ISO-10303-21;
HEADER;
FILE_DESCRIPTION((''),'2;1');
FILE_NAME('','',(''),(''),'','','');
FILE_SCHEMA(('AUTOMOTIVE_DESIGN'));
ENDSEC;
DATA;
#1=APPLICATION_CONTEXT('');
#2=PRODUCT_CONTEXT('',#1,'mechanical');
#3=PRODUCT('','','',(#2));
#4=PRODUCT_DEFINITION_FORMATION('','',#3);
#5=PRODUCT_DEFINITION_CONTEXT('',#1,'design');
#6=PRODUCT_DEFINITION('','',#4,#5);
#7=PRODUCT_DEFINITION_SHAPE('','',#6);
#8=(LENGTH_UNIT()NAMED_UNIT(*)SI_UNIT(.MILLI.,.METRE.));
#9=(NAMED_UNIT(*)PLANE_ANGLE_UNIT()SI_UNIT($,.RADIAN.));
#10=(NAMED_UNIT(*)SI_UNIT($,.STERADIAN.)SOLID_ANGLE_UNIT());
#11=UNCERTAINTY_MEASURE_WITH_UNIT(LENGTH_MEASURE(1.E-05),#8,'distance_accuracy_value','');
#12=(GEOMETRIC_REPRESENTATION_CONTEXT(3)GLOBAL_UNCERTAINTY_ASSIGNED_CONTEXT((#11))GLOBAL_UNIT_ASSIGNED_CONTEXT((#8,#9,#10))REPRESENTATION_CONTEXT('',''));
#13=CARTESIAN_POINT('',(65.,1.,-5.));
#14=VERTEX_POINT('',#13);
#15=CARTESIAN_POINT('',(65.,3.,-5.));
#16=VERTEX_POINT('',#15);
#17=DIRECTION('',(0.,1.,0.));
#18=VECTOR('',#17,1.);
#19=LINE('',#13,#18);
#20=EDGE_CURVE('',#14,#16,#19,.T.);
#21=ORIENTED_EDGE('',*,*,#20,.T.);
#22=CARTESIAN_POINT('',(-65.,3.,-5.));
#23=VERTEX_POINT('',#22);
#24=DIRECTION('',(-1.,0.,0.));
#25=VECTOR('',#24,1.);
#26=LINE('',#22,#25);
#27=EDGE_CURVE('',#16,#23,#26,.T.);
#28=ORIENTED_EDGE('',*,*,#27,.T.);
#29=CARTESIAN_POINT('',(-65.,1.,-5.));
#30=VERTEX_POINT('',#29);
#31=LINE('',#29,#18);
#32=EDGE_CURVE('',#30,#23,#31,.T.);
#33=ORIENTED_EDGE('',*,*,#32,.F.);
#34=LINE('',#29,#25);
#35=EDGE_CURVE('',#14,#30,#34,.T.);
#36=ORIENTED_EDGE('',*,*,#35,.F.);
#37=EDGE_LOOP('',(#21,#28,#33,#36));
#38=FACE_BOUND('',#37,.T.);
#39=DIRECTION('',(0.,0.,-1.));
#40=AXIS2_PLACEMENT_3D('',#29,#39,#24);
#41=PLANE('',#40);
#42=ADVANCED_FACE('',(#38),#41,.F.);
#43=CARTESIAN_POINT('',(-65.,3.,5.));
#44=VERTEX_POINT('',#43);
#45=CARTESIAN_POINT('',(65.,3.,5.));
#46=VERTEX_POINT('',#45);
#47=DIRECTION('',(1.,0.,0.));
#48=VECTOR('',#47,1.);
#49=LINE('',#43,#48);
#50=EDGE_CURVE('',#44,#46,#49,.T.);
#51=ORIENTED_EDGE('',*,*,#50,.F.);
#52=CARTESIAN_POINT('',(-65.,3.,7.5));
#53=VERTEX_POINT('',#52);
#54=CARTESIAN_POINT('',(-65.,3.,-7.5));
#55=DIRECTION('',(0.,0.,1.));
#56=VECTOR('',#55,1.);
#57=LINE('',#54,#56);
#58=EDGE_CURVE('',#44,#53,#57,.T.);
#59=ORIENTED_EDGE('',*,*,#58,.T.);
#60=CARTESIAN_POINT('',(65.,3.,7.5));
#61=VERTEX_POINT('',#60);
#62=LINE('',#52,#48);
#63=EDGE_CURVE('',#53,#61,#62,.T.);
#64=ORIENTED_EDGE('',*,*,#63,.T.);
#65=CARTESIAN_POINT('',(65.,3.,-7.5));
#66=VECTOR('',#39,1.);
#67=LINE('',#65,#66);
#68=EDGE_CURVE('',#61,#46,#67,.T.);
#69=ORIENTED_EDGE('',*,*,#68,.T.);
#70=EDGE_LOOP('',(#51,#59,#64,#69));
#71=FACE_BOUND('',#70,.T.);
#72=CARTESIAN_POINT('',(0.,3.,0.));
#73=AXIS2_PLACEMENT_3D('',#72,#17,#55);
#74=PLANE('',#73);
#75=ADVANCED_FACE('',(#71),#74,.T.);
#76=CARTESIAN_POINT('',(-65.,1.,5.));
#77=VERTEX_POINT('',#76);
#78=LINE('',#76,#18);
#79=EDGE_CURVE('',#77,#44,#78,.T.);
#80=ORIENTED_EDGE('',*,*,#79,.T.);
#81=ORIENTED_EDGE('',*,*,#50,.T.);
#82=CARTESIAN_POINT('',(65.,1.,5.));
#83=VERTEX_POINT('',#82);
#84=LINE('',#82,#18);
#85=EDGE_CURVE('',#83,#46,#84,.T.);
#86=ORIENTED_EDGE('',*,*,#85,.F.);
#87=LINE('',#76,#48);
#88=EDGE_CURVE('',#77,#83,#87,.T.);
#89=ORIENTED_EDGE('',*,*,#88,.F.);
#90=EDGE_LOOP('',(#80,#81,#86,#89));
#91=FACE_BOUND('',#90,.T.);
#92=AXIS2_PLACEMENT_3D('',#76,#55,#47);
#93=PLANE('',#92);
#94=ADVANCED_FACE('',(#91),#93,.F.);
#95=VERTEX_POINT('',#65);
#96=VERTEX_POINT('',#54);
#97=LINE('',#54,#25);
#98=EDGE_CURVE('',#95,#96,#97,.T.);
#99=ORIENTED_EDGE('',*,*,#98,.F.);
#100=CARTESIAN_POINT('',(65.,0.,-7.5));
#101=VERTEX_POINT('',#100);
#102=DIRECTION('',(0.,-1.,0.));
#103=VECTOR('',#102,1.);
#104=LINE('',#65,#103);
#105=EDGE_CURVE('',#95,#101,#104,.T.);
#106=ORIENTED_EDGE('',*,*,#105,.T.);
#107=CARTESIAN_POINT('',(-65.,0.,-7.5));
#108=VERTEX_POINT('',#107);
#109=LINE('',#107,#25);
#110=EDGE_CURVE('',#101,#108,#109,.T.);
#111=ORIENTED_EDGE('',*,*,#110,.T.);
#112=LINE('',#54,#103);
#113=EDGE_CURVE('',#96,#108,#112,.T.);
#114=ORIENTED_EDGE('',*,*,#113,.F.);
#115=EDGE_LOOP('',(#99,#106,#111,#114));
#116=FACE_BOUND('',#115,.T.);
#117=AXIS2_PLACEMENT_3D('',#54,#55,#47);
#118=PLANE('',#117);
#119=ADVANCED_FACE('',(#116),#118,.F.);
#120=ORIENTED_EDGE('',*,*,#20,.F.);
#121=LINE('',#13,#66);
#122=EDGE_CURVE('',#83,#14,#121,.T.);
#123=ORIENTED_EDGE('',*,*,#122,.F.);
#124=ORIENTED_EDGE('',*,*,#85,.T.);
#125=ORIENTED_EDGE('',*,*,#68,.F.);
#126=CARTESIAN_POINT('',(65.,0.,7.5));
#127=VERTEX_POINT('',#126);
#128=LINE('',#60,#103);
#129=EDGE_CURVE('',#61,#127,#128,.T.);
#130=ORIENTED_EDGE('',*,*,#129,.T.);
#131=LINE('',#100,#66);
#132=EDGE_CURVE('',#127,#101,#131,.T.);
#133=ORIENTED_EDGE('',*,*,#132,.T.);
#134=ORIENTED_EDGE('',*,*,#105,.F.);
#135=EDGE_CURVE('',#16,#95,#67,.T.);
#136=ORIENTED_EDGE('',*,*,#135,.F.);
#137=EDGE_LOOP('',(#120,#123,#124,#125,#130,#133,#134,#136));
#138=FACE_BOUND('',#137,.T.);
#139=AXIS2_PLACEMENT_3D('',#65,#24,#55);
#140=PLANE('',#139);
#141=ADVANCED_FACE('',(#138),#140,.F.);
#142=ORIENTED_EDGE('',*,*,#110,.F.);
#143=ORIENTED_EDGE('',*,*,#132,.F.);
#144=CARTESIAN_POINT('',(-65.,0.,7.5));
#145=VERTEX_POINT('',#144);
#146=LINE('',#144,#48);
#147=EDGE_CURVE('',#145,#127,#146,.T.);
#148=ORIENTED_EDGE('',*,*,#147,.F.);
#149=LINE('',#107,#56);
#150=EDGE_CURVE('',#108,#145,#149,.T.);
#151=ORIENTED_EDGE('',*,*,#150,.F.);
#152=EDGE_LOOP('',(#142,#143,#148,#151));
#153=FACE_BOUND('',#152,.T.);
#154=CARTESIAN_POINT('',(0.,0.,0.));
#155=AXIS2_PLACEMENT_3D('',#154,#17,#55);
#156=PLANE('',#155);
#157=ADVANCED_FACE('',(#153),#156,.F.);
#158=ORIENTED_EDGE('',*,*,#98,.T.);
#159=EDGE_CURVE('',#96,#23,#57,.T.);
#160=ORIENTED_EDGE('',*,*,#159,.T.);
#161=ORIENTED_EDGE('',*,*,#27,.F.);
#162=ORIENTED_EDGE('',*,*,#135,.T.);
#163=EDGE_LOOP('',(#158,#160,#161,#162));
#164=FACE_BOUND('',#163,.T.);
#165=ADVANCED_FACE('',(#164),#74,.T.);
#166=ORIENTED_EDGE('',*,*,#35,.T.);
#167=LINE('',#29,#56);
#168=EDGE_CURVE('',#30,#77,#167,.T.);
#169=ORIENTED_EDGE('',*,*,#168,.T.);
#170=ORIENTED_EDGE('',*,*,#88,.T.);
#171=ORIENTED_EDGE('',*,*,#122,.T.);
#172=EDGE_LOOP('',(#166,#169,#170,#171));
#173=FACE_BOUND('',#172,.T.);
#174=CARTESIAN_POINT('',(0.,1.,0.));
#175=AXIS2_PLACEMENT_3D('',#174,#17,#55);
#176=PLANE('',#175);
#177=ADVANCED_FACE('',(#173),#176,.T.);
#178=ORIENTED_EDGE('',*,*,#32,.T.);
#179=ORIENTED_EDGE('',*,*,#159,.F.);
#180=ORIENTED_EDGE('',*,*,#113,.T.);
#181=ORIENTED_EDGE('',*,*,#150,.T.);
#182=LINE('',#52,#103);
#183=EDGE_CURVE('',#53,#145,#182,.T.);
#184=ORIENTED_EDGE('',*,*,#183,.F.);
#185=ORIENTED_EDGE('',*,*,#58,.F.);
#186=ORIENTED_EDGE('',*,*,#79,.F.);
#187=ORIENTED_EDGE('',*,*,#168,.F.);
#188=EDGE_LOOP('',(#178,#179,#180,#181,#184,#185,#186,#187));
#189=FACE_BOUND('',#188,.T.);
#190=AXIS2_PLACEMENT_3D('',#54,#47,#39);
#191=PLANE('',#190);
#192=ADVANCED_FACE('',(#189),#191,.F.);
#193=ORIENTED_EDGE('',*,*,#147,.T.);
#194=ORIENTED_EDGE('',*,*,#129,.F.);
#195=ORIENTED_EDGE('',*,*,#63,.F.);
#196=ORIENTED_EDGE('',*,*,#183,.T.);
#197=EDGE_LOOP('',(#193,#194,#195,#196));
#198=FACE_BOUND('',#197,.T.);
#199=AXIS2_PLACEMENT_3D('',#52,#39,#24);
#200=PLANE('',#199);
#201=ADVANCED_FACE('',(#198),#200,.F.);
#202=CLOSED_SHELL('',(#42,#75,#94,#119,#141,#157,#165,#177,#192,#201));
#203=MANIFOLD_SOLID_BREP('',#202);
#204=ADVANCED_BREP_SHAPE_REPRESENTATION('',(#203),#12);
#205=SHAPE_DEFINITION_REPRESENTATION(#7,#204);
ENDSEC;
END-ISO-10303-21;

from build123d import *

# Parameters (mm, degrees)
IZIM1_W                     = 130
IZIM1_H                     = 15
Y_KSEKLIK_EKSTR_ZYON1_DEPTH = 3
IZIM2_W                     = 130
IZIM2_H                     = 10
KES_EKSTR_ZYON1_DEPTH       = 2


with BuildPart() as part:
    # Çizim1 → Yükseklik-Ekstrüzyon1 (new body)
    with BuildSketch(Plane(origin=(0, 0, 0), x_dir=(1, 0, 0), z_dir=(0, 1, 0))):
        Rectangle(IZIM1_W, IZIM1_H)
    extrude(amount=Y_KSEKLIK_EKSTR_ZYON1_DEPTH)

    # Çizim2 → Kes-Ekstrüzyon1 (cut)
    with BuildSketch(Plane(origin=(0, 3, 0), x_dir=(1, 0, 0), z_dir=(0, 1, 0))):
        Rectangle(IZIM2_W, IZIM2_H)
    extrude(amount=-KES_EKSTR_ZYON1_DEPTH, mode=Mode.SUBTRACT)


solid = part.part
